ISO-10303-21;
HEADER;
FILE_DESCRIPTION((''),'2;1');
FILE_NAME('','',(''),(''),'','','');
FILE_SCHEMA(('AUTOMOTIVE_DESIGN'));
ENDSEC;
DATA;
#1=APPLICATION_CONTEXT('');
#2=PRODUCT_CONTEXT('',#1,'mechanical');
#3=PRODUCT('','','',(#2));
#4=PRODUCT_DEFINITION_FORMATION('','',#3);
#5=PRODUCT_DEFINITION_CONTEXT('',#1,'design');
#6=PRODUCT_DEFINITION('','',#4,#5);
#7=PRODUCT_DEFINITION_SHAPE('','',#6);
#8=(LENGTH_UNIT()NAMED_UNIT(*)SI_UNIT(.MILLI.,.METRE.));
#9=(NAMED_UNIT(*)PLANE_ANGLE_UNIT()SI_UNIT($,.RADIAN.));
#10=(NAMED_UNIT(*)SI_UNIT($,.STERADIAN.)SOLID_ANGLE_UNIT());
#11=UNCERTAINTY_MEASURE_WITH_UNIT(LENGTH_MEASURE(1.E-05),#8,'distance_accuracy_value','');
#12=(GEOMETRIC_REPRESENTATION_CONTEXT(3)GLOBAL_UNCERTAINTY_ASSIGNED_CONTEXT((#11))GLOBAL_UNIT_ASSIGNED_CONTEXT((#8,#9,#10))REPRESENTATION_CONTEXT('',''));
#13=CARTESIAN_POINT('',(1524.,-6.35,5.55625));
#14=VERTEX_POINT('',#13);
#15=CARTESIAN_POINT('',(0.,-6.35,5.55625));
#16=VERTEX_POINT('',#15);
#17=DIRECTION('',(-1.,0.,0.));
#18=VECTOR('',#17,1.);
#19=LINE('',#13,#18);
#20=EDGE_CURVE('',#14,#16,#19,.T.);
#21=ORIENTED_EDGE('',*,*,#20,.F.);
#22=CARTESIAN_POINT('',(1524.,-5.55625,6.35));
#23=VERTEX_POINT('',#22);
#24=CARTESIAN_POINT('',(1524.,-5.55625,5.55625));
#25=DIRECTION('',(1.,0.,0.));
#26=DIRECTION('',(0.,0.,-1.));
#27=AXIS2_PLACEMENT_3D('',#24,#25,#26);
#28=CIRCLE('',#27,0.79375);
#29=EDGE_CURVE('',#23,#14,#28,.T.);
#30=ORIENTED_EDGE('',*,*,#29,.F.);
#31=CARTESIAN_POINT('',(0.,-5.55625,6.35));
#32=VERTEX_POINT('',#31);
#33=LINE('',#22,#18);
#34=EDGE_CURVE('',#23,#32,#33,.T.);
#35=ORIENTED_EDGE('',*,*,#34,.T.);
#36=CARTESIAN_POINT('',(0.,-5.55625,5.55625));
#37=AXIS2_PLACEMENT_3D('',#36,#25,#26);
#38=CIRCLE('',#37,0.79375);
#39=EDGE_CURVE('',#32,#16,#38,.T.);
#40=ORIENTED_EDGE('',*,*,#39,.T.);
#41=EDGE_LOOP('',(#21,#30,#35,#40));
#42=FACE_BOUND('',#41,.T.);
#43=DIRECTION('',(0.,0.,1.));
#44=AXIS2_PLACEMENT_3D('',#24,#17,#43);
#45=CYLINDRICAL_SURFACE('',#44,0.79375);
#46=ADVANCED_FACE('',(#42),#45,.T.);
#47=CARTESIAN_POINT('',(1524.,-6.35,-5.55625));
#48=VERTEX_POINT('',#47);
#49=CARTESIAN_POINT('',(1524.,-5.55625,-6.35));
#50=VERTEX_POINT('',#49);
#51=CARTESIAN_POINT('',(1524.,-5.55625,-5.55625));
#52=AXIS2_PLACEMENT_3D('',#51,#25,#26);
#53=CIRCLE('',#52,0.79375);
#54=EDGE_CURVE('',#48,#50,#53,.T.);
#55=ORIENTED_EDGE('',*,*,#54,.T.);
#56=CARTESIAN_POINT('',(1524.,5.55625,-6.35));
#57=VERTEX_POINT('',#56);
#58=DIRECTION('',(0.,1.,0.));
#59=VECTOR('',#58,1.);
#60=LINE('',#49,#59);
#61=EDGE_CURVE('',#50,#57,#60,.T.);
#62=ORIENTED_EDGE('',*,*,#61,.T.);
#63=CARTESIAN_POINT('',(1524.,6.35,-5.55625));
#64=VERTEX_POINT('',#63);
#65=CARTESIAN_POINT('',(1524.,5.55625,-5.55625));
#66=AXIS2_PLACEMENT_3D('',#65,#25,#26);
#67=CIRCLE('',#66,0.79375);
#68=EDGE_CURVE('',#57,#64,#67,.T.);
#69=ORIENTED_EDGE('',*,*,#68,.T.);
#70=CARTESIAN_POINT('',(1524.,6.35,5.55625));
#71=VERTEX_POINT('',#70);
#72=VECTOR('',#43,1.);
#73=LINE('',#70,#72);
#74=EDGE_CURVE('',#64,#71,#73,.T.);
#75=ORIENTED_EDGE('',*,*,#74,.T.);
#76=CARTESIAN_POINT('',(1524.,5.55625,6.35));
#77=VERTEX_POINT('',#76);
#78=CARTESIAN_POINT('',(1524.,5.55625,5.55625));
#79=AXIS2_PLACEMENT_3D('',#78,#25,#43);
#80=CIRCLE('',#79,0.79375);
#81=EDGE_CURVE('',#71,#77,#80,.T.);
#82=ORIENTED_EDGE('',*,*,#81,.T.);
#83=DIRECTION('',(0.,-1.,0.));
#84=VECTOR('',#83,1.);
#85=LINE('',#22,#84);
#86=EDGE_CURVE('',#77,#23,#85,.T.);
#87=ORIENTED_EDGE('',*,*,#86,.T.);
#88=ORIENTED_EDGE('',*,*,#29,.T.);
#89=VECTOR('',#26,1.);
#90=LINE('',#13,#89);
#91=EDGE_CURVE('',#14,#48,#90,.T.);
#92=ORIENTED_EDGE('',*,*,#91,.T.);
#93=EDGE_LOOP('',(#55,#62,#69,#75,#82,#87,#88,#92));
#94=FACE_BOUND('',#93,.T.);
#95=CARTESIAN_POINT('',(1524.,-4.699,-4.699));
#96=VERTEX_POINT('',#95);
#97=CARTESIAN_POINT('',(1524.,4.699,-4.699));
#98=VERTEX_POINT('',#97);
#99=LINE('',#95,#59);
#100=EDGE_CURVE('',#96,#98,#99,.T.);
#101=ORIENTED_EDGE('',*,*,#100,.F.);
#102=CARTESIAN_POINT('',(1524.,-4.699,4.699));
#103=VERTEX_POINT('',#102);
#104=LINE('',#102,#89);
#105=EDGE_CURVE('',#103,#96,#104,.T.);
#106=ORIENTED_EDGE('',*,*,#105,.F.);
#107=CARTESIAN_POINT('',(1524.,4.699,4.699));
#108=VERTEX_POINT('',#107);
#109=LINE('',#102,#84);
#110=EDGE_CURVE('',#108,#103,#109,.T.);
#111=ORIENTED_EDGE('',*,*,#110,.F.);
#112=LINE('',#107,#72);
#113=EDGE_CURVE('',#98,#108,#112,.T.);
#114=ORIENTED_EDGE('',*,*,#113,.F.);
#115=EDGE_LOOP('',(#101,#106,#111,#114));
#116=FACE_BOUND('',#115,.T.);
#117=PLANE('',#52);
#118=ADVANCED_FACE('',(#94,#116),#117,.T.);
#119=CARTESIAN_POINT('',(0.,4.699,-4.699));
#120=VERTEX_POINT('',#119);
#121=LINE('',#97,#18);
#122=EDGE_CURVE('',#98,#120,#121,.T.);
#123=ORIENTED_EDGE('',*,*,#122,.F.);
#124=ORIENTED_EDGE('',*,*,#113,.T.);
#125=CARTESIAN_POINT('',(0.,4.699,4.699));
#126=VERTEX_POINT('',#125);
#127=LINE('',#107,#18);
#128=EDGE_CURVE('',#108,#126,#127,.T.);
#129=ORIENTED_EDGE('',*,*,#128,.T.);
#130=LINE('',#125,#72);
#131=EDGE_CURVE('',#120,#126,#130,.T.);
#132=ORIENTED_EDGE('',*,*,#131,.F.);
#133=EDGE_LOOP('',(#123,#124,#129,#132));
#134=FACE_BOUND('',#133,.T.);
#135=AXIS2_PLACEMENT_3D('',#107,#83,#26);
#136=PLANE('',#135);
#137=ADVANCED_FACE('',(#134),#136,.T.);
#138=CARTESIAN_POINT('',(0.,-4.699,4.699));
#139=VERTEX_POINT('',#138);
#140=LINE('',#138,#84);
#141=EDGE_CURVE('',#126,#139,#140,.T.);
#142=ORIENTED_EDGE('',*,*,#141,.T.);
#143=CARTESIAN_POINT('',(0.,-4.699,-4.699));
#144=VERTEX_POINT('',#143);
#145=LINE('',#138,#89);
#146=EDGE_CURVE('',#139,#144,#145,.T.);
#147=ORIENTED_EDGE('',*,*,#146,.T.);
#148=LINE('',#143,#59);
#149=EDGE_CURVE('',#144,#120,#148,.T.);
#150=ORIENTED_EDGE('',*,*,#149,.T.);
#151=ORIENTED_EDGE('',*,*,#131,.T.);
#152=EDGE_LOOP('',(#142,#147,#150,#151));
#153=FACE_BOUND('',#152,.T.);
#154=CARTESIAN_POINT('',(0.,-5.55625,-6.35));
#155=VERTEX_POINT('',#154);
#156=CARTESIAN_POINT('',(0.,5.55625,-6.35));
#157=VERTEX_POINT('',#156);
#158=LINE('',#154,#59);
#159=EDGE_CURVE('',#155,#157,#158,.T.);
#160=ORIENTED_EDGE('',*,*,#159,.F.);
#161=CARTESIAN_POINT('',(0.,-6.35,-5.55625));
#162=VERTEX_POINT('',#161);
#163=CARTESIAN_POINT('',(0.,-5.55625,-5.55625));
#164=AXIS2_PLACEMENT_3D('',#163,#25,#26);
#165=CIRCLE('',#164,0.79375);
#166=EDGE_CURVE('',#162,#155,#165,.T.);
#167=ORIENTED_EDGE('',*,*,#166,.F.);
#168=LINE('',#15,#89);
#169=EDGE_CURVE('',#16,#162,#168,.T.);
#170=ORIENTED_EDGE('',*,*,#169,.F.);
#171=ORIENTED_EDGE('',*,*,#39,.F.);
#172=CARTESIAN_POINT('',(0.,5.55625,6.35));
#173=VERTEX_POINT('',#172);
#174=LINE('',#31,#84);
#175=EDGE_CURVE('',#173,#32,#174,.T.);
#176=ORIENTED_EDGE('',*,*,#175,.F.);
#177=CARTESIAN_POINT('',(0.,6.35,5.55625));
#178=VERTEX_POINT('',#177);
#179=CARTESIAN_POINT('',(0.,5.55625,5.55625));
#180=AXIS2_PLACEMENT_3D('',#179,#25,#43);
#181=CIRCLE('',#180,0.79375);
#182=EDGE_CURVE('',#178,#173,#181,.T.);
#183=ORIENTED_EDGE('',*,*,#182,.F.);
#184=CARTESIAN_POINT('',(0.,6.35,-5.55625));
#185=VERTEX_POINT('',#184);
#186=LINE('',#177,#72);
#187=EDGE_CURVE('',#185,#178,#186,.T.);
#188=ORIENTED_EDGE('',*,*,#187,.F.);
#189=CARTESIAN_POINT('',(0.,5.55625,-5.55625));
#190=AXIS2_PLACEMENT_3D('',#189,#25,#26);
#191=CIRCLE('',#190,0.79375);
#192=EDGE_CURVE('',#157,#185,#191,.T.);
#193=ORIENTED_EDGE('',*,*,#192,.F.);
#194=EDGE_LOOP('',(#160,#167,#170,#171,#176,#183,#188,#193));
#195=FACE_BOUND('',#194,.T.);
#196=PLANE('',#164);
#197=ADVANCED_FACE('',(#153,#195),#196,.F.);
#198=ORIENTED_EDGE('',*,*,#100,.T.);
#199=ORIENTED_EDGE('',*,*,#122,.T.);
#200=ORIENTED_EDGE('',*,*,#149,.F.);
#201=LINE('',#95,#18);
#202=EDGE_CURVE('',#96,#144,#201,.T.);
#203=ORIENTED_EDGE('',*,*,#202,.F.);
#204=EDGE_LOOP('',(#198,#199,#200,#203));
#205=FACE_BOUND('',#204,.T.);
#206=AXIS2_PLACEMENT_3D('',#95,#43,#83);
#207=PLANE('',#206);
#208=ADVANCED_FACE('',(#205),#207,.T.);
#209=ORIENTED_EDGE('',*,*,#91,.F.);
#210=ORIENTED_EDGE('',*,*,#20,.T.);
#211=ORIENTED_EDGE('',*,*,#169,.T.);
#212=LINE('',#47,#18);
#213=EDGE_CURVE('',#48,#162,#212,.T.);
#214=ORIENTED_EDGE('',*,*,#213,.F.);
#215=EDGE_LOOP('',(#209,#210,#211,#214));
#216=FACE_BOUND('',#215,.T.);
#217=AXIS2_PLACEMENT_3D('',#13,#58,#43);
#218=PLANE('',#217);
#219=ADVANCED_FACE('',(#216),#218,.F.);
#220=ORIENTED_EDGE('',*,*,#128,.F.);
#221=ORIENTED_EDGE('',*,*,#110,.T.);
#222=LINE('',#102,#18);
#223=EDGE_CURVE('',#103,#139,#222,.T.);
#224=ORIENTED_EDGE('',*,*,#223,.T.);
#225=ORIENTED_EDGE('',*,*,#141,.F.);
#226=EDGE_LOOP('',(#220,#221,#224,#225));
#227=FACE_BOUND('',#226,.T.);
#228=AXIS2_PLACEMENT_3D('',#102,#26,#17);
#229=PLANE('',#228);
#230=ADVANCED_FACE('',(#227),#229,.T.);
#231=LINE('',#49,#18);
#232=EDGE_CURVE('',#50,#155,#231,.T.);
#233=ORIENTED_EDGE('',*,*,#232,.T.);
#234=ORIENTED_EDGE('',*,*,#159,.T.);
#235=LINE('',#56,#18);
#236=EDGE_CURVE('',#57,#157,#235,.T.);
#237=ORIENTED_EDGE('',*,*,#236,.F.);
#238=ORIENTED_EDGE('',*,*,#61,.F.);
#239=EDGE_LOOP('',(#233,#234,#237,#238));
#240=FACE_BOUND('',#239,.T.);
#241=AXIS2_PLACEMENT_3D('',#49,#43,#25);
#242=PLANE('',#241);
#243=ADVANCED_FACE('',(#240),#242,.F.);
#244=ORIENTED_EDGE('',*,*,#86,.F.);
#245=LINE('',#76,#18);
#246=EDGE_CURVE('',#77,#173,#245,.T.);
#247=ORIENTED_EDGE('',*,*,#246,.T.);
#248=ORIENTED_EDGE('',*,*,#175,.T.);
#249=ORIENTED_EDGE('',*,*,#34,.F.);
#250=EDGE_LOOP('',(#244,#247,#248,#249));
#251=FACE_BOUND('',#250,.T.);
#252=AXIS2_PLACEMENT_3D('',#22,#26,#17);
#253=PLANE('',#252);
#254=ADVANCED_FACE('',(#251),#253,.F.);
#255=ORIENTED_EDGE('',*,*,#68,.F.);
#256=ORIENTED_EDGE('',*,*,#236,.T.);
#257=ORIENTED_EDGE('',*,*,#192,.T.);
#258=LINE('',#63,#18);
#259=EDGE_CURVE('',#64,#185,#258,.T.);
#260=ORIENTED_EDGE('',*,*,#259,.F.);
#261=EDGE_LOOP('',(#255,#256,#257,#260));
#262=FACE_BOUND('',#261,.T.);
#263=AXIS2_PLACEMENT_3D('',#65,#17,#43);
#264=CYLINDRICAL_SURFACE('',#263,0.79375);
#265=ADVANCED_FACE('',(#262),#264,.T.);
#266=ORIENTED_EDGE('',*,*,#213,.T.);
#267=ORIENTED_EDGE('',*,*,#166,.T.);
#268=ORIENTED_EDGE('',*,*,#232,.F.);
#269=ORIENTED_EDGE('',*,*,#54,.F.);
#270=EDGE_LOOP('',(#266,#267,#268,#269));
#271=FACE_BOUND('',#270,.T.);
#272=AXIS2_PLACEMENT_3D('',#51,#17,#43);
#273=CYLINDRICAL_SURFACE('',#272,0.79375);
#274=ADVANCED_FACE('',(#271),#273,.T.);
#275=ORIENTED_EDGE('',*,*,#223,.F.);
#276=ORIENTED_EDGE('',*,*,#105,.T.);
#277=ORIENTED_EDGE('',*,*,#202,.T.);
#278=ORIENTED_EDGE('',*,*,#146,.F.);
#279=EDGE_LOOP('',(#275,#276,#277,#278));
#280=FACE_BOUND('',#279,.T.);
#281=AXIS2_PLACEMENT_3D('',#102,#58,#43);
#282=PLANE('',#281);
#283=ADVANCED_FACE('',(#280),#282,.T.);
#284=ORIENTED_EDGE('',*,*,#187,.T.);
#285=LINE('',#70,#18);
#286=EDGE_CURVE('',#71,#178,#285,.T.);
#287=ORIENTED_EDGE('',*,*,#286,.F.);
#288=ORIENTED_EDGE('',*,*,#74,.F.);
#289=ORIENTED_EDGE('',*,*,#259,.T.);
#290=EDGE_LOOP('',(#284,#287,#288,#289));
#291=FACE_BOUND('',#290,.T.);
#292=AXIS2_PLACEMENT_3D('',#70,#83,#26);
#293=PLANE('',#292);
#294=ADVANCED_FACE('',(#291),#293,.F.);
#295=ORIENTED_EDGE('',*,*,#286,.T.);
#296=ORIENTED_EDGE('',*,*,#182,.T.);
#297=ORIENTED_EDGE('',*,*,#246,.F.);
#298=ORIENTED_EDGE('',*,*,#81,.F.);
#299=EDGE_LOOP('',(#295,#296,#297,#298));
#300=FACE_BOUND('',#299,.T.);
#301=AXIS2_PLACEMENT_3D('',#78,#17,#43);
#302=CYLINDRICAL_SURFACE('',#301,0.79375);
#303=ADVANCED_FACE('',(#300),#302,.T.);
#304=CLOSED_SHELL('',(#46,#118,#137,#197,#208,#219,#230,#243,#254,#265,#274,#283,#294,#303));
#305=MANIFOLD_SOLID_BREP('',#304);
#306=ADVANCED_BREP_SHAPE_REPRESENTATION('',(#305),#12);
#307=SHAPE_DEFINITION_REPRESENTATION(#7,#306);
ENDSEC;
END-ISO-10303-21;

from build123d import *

# Parameters (mm, degrees)
SKETCH11_W               = 9.398
SKETCH11_H               = 9.398
STRUCTURAL_MEMBER1_DEPTH = 1524


with BuildPart() as part:
    # Sketch11 → Structural Member1 (new body)
    with BuildSketch(Plane.YZ):
        with BuildLine():
            Line((-5.55625, 6.35), (5.55625, 6.35))
            ThreePointArc((5.55625, 6.35), (6.117516008, 6.117516008), (6.35, 5.55625))
            Line((6.35, 5.55625), (6.35, -5.55625))
            ThreePointArc((6.35, -5.55625), (6.117516008, -6.117516008), (5.55625, -6.35))
            Line((5.55625, -6.35), (-5.55625, -6.35))
            ThreePointArc((-5.55625, -6.35), (-6.117516008, -6.117516008), (-6.35, -5.55625))
            Line((-6.35, -5.55625), (-6.35, 5.55625))
            ThreePointArc((-6.35, 5.55625), (-6.117516008, 6.117516008), (-5.55625, 6.35))
        make_face()
        Rectangle(SKETCH11_W, SKETCH11_H, mode=Mode.SUBTRACT)
    extrude(amount=STRUCTURAL_MEMBER1_DEPTH)


solid = part.part
